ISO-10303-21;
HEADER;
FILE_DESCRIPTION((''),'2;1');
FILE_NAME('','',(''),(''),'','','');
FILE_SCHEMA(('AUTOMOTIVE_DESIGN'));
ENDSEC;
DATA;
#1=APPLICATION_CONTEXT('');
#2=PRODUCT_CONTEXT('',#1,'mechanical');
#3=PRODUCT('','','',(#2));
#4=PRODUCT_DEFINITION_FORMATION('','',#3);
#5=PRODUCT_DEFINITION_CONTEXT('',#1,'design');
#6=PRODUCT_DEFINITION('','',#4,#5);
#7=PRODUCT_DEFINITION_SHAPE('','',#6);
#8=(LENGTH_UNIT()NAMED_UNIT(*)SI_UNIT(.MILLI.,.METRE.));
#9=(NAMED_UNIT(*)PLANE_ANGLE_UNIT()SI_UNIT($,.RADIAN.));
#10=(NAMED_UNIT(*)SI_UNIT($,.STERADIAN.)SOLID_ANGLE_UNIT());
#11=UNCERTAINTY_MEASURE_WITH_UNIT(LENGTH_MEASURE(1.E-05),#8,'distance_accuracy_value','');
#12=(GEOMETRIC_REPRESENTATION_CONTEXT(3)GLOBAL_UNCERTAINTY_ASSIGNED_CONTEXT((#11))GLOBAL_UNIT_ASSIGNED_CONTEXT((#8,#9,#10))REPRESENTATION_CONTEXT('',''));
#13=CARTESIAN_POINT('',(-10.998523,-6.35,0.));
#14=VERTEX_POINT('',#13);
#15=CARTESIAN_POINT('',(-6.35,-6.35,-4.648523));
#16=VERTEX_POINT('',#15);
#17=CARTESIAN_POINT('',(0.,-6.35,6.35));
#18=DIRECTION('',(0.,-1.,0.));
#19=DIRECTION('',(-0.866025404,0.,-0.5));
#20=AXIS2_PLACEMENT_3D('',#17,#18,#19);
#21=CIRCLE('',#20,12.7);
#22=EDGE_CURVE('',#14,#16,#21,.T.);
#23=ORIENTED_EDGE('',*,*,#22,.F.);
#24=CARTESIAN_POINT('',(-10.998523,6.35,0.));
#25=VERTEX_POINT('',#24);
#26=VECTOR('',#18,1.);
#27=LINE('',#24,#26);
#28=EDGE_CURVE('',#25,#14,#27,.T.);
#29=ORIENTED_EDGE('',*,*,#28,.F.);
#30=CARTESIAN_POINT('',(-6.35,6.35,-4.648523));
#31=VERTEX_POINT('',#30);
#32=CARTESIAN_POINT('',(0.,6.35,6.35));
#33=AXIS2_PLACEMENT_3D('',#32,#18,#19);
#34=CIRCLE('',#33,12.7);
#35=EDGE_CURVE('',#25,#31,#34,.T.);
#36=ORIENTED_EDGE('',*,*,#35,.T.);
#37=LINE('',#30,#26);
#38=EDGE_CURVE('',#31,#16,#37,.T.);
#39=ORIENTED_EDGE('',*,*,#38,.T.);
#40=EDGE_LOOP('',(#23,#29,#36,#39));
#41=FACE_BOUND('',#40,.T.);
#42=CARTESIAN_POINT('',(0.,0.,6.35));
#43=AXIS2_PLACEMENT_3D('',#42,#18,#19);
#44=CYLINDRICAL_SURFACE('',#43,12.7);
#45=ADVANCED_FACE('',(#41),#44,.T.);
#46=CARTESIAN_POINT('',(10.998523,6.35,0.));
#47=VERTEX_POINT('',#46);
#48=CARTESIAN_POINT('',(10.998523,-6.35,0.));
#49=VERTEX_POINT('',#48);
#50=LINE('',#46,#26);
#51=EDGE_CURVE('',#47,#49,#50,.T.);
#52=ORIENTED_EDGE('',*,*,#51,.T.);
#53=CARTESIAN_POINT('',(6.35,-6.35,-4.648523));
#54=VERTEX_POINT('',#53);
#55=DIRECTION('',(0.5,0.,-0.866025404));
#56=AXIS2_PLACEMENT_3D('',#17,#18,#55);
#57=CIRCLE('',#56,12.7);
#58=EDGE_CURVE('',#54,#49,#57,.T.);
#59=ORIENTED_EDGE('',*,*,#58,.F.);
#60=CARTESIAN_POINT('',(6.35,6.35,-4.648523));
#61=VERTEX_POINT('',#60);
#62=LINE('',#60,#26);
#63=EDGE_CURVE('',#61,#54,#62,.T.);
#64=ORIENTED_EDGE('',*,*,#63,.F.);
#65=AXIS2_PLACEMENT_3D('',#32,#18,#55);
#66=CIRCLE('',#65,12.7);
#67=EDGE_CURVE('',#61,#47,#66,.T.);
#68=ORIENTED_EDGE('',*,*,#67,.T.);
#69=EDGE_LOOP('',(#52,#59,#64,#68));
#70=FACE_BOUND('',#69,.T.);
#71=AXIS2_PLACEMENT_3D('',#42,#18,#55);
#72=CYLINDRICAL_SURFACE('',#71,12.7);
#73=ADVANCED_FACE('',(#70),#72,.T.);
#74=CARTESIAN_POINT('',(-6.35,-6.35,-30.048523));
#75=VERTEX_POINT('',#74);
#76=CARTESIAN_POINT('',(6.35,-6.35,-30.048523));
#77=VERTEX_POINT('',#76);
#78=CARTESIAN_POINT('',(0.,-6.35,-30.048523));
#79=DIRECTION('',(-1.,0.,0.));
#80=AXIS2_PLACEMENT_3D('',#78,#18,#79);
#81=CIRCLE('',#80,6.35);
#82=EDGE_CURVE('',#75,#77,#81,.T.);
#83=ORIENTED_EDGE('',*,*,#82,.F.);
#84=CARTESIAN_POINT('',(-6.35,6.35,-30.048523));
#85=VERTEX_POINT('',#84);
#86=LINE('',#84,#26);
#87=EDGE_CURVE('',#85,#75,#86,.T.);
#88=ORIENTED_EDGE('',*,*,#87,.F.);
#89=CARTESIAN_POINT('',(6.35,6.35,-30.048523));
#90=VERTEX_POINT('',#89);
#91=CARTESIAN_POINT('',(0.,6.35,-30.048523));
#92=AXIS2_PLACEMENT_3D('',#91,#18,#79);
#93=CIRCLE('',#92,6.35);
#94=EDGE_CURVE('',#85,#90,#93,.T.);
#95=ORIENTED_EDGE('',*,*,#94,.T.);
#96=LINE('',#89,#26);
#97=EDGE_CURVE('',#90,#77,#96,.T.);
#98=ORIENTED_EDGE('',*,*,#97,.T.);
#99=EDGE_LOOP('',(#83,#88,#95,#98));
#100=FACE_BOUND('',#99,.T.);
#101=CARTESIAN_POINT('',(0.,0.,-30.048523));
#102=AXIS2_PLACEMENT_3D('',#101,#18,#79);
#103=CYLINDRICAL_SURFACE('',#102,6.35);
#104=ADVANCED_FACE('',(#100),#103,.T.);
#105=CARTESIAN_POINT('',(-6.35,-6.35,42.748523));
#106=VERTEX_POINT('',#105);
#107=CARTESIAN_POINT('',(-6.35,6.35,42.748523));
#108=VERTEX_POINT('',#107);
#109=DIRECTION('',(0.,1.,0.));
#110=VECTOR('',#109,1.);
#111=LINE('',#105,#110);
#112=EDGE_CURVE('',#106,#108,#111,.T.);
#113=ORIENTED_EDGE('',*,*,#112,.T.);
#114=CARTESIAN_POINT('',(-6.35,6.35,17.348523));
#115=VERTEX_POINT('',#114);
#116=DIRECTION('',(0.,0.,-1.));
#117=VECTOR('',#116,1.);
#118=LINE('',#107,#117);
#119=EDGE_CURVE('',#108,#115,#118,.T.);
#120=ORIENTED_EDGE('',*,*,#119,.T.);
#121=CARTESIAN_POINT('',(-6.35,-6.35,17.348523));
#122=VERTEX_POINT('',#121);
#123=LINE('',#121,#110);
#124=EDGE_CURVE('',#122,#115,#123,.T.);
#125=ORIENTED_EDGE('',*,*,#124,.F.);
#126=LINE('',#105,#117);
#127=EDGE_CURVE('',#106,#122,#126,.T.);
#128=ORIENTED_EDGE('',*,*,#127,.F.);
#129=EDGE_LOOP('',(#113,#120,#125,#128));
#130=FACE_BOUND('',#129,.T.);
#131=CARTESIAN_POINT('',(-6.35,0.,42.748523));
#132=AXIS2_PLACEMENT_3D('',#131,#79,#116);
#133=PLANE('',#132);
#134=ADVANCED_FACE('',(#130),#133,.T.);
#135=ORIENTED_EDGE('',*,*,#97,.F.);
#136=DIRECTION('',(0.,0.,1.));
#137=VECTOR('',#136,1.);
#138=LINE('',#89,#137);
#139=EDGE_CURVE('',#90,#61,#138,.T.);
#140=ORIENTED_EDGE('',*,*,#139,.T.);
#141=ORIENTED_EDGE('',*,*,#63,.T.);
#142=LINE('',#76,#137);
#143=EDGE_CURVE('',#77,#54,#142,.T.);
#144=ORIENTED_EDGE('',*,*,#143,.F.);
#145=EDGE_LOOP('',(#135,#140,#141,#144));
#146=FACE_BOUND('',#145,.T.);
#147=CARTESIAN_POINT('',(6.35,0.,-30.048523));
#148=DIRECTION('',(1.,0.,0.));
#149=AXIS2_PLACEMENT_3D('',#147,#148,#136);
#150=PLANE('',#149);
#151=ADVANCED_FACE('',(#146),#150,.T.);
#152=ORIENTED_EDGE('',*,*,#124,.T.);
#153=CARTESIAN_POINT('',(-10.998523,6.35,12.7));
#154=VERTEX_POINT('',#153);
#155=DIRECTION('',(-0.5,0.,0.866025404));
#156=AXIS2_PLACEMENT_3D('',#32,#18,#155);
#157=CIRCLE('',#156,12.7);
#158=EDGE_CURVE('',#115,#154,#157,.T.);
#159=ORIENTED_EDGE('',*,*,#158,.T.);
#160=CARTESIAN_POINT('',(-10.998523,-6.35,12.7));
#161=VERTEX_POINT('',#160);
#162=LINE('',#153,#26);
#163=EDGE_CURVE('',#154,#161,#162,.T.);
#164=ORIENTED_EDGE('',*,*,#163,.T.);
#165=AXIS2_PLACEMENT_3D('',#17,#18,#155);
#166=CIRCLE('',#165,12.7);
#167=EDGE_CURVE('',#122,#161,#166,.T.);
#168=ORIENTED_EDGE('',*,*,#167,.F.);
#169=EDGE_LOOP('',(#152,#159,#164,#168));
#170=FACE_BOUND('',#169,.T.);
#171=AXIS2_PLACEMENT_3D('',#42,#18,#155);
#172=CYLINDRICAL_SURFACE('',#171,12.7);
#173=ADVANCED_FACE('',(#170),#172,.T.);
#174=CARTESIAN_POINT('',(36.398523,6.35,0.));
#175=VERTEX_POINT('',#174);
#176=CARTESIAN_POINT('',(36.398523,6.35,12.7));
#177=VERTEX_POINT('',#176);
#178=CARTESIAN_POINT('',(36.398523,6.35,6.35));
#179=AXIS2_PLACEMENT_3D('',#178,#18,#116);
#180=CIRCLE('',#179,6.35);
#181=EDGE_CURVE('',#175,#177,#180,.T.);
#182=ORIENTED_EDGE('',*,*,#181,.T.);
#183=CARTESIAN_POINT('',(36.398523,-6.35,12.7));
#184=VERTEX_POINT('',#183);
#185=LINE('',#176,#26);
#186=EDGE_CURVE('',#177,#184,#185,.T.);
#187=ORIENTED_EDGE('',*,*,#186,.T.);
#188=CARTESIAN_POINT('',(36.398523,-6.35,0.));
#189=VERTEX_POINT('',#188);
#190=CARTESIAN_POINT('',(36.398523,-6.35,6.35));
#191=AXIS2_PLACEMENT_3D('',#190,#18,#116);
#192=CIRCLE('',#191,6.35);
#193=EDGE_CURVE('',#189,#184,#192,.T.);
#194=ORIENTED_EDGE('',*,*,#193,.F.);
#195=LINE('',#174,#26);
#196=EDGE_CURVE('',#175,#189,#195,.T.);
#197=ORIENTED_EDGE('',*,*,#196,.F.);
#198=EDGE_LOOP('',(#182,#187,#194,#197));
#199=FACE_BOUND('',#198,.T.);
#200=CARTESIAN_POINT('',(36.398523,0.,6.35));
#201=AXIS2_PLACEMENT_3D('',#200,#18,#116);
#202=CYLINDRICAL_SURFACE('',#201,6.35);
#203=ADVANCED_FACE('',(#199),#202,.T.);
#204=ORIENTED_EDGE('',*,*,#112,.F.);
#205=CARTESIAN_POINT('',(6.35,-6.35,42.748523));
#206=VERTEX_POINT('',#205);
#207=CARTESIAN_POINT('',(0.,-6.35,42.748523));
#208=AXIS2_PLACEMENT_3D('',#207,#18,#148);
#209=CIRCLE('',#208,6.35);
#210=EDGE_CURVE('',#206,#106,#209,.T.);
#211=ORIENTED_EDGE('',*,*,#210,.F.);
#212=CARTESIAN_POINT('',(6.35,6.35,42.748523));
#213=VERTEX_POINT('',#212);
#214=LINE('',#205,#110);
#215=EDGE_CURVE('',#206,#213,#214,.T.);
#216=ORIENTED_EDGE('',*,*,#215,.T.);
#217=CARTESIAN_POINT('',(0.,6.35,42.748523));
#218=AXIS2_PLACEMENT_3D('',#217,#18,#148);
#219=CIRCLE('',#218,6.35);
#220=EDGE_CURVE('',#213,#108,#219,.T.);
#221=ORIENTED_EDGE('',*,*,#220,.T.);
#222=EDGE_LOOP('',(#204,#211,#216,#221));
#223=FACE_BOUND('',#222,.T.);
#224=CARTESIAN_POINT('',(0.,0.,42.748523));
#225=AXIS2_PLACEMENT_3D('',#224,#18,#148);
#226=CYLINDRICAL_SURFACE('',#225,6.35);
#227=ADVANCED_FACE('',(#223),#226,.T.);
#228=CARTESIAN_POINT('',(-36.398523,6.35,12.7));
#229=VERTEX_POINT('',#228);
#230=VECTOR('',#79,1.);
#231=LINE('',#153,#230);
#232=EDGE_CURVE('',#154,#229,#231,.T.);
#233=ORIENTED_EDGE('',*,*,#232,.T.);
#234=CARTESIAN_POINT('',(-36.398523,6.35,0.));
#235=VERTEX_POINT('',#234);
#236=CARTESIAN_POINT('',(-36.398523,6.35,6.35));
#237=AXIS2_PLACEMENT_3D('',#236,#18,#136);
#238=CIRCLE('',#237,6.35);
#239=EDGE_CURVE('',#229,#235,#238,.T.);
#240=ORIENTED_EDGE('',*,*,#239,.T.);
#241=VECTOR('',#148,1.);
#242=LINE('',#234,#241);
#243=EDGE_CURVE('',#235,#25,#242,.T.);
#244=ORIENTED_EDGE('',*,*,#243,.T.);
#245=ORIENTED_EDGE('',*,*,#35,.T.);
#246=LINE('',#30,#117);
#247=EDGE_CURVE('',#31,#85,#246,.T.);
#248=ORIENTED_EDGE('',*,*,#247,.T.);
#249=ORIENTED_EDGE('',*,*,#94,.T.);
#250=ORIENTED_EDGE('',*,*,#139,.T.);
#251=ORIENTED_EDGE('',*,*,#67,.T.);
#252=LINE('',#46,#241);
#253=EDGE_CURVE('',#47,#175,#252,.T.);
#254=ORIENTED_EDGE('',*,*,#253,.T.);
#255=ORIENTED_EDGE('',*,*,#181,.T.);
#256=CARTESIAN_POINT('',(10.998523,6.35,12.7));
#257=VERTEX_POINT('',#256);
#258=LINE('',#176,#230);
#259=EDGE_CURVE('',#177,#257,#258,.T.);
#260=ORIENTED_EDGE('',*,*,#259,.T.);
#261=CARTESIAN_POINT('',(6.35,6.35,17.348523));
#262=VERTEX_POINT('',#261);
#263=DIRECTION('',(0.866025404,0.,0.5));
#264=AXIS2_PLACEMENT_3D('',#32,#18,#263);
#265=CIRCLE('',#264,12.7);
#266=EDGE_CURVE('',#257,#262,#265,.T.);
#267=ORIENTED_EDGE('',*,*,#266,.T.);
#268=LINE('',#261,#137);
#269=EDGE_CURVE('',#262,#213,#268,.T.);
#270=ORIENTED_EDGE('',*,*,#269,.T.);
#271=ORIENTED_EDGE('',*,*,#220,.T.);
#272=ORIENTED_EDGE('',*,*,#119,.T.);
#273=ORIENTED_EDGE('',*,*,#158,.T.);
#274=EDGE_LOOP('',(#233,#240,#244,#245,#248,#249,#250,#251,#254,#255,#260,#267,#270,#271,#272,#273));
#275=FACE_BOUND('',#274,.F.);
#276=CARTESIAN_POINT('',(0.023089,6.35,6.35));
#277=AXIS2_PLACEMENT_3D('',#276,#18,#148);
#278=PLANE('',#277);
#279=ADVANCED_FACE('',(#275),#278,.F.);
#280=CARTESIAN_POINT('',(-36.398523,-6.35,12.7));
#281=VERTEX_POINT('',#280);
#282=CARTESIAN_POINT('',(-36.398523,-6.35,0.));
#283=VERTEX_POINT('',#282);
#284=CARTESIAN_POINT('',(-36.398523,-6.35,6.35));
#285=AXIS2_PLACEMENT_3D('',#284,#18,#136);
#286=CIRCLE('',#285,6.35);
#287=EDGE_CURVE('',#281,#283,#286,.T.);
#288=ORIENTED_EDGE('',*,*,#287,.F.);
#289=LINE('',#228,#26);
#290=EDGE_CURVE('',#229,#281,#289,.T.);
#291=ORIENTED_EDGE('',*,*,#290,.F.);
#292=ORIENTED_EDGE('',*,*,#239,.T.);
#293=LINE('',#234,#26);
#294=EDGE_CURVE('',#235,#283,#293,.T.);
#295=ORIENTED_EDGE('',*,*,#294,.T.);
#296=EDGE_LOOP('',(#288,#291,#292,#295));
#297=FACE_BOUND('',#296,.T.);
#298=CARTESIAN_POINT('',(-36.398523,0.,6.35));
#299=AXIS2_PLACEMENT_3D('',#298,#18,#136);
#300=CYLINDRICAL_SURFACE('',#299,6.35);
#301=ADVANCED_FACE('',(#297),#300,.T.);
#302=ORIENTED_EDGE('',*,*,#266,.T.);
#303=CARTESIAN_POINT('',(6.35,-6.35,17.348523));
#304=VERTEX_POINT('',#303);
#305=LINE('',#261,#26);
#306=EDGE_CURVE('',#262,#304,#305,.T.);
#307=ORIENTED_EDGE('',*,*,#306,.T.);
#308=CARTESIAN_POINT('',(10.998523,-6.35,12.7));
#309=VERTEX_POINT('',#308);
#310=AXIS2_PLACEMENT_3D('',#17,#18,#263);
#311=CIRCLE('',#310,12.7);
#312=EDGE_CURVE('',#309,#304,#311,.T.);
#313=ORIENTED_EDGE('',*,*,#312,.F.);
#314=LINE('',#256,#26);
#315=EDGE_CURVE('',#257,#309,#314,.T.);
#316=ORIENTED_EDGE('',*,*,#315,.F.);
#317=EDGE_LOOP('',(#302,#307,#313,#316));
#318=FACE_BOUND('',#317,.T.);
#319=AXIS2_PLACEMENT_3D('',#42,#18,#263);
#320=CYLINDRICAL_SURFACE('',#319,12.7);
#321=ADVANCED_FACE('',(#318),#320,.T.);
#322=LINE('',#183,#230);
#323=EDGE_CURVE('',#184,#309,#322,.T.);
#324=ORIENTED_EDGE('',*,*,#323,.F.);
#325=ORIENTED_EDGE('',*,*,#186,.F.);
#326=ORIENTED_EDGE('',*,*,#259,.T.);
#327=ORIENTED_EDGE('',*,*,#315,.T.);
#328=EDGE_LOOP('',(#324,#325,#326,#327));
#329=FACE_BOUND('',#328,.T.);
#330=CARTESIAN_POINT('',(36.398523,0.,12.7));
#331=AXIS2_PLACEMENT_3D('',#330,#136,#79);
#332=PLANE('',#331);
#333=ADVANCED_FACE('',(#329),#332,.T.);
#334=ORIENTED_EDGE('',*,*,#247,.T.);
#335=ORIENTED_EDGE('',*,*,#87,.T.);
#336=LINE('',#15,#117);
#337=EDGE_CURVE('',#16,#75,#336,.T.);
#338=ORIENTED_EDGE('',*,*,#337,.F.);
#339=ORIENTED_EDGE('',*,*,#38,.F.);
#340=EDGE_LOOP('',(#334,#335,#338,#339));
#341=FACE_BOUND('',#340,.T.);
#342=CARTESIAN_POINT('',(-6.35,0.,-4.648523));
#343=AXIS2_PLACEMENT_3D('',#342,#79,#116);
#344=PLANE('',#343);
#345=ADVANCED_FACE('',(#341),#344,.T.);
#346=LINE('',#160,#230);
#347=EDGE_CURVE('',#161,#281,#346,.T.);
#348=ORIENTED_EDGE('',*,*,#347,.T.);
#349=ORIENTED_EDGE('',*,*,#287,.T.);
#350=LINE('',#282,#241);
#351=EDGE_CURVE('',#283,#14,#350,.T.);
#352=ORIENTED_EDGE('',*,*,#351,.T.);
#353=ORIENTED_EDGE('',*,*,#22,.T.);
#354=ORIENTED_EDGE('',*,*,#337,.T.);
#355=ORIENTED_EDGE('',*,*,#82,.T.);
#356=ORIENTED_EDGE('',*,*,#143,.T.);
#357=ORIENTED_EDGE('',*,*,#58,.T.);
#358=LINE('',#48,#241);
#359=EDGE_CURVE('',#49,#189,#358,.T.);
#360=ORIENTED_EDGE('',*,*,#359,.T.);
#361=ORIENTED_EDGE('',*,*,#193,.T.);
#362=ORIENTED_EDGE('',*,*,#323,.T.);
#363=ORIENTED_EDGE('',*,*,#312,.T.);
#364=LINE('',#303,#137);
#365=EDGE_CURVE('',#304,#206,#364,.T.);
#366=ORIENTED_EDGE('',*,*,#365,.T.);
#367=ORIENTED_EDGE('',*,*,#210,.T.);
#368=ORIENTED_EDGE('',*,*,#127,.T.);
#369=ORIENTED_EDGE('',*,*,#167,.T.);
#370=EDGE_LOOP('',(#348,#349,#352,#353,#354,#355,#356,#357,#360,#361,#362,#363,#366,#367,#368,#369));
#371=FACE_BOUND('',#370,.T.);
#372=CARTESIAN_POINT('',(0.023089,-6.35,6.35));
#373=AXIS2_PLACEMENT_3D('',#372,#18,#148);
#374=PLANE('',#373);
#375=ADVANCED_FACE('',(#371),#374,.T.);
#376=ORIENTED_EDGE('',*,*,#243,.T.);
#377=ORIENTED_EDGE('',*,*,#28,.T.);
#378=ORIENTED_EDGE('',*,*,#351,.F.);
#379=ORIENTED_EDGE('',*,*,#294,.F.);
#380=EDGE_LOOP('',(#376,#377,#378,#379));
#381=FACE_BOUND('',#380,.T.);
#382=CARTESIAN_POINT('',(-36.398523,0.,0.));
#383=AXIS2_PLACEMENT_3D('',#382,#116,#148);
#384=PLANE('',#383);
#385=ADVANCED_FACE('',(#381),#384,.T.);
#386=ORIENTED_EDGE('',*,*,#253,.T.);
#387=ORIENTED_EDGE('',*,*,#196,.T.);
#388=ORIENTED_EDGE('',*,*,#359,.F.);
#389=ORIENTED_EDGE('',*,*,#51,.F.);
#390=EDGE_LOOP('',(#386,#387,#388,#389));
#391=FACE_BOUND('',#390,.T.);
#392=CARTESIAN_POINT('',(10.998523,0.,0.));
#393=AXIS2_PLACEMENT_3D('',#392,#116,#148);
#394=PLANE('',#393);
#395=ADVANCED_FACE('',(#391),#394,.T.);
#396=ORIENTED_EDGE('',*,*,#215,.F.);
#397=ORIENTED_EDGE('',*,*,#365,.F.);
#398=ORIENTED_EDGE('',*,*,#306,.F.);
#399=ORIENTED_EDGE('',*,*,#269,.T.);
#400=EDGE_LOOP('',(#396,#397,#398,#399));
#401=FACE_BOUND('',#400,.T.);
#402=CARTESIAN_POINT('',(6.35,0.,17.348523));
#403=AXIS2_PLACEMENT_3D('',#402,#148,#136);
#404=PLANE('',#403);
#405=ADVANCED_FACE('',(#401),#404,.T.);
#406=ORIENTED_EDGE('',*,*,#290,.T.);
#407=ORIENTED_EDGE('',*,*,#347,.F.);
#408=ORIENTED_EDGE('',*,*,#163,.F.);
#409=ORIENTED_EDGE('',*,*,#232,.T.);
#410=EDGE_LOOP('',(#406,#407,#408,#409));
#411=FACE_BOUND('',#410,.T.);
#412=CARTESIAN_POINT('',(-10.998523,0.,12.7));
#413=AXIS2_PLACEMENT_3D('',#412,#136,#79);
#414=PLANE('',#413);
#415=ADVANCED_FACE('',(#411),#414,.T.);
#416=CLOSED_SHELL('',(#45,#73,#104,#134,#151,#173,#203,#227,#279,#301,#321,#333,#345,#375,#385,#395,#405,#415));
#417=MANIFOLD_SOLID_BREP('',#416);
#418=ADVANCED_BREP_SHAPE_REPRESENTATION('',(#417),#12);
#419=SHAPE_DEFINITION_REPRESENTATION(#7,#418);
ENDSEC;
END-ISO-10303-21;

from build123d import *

# Parameters (mm, degrees)
F1_DEPTH = 6.35


with BuildPart() as f1:
    # F0 (on Front) → F1 (new body, symmetric)
    with BuildSketch(Plane.XZ):
        with BuildLine():
            ThreePointArc((6.35, 17.3485226281), (0, 19.05), (-6.35, 17.3485226281))
            ThreePointArc((-6.35, 17.3485226281), (-8.9802561211, 15.3302561211), (-10.9985226281, 12.7))
            ThreePointArc((-10.9985226281, 12.7), (-12.7, 6.35), (-10.9985226281, 0))
            ThreePointArc((-10.9985226281, 0), (-8.9802561211, -2.6302561211), (-6.35, -4.6485226281))
            ThreePointArc((-6.35, -4.6485226281), (0, -6.35), (6.35, -4.6485226281))
            ThreePointArc((6.35, -4.6485226281), (8.9802561211, -2.6302561211), (10.9985226281, 0))
            ThreePointArc((10.9985226281, 0), (12.2672579939, 3.0629981272), (12.7, 6.35))
            ThreePointArc((12.7, 6.35), (12.2672579939, 9.6370018728), (10.9985226281, 12.7))
            ThreePointArc((10.9985226281, 12.7), (8.9802561211, 15.3302561211), (6.35, 17.3485226281))
        make_face()
        with BuildLine():
            Line((-6.35, 42.7485226281), (-6.35, 17.3485226281))
            ThreePointArc((-6.35, 17.3485226281), (0, 19.05), (6.35, 17.3485226281))
            Line((6.35, 17.3485226281), (6.35, 42.7485226281))
            ThreePointArc((6.35, 42.7485226281), (0, 49.0985226281), (-6.35, 42.7485226281))
        make_face()
        with BuildLine():
            ThreePointArc((-10.9985226281, 0), (-12.7, 6.35), (-10.9985226281, 12.7))
            Line((-10.9985226281, 12.7), (-36.3985226281, 12.7))
            ThreePointArc((-36.3985226281, 12.7), (-42.7485226281, 6.35), (-36.3985226281, 0))
            Line((-36.3985226281, 0), (-10.9985226281, 0))
        make_face()
        with BuildLine():
            Line((36.3985226281, 12.7), (10.9985226281, 12.7))
            ThreePointArc((10.9985226281, 12.7), (12.2672579939, 9.6370018728), (12.7, 6.35))
            ThreePointArc((12.7, 6.35), (12.2672579939, 3.0629981272), (10.9985226281, 0))
            Line((10.9985226281, 0), (36.3985226281, 0))
            ThreePointArc((36.3985226281, 0), (42.7485226281, 6.35), (36.3985226281, 12.7))
        make_face()
        with BuildLine():
            ThreePointArc((6.35, -4.6485226281), (0, -6.35), (-6.35, -4.6485226281))
            Line((-6.35, -4.6485226281), (-6.35, -30.0485226281))
            ThreePointArc((-6.35, -30.0485226281), (0, -36.3985226281), (6.35, -30.0485226281))
            Line((6.35, -30.0485226281), (6.35, -4.6485226281))
        make_face()
    extrude(amount=F1_DEPTH, both=True)


solid = f1.part
